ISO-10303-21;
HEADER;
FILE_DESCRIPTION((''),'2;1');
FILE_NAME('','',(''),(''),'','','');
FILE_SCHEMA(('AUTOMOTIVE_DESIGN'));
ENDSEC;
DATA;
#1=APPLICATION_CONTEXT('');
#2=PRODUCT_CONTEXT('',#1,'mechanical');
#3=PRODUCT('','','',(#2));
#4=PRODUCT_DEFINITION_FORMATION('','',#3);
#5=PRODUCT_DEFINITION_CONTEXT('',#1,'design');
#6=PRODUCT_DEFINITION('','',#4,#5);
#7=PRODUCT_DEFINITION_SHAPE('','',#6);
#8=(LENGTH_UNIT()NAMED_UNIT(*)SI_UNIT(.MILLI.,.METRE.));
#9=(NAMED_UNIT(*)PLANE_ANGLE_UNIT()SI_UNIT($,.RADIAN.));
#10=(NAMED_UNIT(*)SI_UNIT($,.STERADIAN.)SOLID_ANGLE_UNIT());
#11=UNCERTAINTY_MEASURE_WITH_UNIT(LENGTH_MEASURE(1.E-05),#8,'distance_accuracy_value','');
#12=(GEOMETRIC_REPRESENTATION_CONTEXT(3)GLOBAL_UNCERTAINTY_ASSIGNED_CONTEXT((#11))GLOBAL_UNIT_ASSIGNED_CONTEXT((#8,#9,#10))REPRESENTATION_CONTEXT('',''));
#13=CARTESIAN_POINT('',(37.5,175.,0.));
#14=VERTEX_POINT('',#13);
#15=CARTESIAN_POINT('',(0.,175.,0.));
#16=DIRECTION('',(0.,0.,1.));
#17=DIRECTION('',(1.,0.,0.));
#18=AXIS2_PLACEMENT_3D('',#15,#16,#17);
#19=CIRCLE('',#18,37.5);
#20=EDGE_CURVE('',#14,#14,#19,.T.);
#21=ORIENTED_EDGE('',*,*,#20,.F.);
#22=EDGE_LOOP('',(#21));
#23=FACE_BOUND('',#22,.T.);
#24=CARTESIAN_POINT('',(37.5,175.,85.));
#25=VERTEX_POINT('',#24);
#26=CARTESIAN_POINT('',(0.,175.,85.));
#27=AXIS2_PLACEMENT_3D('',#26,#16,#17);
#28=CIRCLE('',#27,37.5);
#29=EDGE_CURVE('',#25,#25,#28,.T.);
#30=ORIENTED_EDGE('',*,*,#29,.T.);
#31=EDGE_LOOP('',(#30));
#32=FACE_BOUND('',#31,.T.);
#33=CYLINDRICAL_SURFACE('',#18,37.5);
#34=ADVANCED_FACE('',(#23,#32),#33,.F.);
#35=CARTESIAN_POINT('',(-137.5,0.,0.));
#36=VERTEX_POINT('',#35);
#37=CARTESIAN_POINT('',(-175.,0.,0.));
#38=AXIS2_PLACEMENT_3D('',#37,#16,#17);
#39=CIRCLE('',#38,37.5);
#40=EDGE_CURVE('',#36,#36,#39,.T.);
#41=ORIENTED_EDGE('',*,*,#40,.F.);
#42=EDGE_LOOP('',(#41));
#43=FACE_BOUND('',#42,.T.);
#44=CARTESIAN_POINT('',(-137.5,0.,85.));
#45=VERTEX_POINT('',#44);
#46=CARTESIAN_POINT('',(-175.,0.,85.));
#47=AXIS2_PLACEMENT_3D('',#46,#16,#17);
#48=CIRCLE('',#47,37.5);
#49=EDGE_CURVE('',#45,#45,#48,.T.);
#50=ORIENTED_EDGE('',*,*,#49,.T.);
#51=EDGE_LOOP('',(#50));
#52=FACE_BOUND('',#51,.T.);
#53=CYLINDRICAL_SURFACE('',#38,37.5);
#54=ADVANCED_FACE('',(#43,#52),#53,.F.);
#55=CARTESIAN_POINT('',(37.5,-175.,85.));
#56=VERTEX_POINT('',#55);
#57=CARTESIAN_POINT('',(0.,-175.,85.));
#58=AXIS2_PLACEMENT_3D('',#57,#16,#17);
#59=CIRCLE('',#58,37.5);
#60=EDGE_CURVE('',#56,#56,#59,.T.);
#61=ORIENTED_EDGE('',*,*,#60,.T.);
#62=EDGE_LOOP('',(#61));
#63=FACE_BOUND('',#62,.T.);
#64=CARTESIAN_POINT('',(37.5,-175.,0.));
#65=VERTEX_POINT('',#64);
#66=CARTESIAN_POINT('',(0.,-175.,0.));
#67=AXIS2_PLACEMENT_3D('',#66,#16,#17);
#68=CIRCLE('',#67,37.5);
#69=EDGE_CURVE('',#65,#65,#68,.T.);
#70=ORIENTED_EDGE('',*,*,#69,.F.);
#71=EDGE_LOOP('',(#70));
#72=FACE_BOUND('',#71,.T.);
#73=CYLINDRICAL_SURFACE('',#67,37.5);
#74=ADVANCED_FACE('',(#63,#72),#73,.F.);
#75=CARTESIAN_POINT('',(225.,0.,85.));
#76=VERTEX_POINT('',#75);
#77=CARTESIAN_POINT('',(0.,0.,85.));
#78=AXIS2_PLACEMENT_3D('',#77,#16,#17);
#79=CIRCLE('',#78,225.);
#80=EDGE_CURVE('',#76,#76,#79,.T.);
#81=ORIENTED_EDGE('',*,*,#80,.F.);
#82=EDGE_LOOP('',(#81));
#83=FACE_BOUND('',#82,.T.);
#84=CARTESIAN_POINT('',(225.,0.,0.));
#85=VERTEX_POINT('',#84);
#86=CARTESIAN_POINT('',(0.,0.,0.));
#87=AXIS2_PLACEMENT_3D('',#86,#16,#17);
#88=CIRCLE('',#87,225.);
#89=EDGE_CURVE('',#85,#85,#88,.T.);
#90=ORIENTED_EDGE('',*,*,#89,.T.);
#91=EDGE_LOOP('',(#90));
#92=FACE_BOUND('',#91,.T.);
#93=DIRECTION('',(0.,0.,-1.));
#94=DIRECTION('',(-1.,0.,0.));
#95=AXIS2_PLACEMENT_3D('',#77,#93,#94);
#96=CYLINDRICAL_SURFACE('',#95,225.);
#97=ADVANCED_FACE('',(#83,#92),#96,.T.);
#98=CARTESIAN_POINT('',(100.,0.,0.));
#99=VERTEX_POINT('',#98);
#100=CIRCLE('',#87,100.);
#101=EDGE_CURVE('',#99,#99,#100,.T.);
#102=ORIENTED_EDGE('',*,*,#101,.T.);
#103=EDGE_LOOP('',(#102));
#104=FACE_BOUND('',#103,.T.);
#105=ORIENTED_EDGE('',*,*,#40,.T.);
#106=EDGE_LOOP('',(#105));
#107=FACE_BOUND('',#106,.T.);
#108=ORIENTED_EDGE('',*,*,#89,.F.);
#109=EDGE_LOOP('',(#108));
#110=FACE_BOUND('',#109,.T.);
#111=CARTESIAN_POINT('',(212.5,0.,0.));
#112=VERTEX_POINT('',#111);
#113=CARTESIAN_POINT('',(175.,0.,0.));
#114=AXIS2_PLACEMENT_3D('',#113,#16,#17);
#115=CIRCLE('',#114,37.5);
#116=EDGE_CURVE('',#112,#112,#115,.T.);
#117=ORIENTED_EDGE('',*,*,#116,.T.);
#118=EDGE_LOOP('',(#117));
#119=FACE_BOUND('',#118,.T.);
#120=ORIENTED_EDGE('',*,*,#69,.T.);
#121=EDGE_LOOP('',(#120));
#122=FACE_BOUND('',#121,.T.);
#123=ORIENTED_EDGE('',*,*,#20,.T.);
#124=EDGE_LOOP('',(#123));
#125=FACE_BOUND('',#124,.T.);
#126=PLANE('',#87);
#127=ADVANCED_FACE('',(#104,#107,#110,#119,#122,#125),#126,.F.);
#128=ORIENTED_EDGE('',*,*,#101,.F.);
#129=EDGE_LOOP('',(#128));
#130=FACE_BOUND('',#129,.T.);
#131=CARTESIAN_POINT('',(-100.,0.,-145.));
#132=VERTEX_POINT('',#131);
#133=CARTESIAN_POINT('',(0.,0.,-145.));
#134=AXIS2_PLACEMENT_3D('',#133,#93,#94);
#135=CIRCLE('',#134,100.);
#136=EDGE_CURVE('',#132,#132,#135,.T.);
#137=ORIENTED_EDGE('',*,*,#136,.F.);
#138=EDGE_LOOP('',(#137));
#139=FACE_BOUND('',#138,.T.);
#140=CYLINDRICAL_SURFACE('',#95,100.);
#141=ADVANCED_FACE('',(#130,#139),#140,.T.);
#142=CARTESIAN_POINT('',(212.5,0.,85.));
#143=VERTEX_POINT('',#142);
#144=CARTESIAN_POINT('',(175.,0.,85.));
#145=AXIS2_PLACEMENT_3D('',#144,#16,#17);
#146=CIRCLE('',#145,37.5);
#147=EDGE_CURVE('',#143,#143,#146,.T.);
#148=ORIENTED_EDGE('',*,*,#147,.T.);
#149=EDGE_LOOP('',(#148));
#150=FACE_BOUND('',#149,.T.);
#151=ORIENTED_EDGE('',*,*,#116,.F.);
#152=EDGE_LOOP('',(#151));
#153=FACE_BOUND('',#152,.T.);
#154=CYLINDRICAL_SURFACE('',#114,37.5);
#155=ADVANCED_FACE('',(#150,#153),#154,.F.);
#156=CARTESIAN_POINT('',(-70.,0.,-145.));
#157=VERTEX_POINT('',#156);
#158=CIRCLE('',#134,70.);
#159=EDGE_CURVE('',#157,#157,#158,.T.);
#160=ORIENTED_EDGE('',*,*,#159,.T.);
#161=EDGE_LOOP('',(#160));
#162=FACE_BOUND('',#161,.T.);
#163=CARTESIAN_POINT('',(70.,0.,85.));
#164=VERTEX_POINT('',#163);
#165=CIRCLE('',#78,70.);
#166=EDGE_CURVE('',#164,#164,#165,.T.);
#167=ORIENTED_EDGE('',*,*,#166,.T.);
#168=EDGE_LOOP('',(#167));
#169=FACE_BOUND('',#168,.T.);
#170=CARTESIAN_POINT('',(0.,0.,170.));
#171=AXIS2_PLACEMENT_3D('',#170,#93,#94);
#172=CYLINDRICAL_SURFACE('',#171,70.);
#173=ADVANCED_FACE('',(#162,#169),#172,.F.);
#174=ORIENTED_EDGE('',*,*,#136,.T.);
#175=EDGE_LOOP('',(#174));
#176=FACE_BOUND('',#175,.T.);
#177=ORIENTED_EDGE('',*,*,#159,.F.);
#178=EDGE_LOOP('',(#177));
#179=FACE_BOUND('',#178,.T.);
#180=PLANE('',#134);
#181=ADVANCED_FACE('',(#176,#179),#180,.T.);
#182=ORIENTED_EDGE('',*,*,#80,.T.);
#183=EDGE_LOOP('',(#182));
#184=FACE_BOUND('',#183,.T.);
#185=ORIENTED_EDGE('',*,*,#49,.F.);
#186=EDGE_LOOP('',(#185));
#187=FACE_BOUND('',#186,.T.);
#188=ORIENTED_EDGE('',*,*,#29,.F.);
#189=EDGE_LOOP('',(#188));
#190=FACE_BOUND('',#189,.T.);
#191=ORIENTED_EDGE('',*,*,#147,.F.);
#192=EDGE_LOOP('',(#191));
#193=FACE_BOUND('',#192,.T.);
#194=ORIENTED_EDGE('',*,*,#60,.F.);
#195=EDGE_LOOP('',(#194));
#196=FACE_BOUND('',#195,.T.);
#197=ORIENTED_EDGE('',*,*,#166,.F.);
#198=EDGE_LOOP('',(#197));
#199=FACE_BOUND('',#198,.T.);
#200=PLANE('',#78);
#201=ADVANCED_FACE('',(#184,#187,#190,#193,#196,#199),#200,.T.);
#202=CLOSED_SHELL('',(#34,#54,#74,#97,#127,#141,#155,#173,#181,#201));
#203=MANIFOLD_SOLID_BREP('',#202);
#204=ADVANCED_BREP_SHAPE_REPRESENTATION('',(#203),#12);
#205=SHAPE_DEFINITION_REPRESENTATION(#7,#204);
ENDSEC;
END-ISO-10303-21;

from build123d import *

# Parameters (mm, degrees)
SKETCH2_R                = 225
SKETCH2_R_2              = 100
BOSS_EXTRUDE1_DEPTH      = 85
BOSS_EXTRUDE2_DEPTH      = 145
BOSS_EXTRUDE2_DEPTH_BACK = 85
SKETCH3_R                = 100
SKETCH4_R                = 70
CUT_EXTRUDE1_DEPTH       = 315
SKETCH5_R                = 37.5
CUT_EXTRUDE2_DEPTH       = 85


with BuildPart() as part:
    # Sketch2 → Boss-Extrude1 (new body)
    with BuildSketch(Plane.XY):
        Circle(SKETCH2_R)
        Circle(SKETCH2_R_2, mode=Mode.SUBTRACT)
    extrude(amount=BOSS_EXTRUDE1_DEPTH)

    # Sketch3 → Boss-Extrude2 (add, two sides: drawn at the far end of the back side and taken through both)
    with BuildSketch(Plane(origin=(0, 0, 0), x_dir=(-1, 0, 0), z_dir=(0, 0, -1)).offset(-BOSS_EXTRUDE2_DEPTH_BACK)):
        Circle(SKETCH3_R)
    extrude(amount=BOSS_EXTRUDE2_DEPTH + BOSS_EXTRUDE2_DEPTH_BACK)

    # Sketch4 → Cut-Extrude1 (cut)
    with BuildSketch(Plane(origin=(0, 0, -145), x_dir=(-1, 0, 0), z_dir=(0, 0, -1))):
        Circle(SKETCH4_R)
    extrude(amount=-CUT_EXTRUDE1_DEPTH, mode=Mode.SUBTRACT)

    # Sketch5 → Cut-Extrude2 (cut)
    with BuildSketch(Plane.XY.offset(85)):
        with Locations((175, 0)):
            Circle(SKETCH5_R)
        with Locations((0, 175)):
            Circle(SKETCH5_R)
        with Locations((-175, 0)):
            Circle(SKETCH5_R)
        with Locations((0, -175)):
            Circle(SKETCH5_R)
    extrude(amount=-CUT_EXTRUDE2_DEPTH, mode=Mode.SUBTRACT)


solid = part.part
